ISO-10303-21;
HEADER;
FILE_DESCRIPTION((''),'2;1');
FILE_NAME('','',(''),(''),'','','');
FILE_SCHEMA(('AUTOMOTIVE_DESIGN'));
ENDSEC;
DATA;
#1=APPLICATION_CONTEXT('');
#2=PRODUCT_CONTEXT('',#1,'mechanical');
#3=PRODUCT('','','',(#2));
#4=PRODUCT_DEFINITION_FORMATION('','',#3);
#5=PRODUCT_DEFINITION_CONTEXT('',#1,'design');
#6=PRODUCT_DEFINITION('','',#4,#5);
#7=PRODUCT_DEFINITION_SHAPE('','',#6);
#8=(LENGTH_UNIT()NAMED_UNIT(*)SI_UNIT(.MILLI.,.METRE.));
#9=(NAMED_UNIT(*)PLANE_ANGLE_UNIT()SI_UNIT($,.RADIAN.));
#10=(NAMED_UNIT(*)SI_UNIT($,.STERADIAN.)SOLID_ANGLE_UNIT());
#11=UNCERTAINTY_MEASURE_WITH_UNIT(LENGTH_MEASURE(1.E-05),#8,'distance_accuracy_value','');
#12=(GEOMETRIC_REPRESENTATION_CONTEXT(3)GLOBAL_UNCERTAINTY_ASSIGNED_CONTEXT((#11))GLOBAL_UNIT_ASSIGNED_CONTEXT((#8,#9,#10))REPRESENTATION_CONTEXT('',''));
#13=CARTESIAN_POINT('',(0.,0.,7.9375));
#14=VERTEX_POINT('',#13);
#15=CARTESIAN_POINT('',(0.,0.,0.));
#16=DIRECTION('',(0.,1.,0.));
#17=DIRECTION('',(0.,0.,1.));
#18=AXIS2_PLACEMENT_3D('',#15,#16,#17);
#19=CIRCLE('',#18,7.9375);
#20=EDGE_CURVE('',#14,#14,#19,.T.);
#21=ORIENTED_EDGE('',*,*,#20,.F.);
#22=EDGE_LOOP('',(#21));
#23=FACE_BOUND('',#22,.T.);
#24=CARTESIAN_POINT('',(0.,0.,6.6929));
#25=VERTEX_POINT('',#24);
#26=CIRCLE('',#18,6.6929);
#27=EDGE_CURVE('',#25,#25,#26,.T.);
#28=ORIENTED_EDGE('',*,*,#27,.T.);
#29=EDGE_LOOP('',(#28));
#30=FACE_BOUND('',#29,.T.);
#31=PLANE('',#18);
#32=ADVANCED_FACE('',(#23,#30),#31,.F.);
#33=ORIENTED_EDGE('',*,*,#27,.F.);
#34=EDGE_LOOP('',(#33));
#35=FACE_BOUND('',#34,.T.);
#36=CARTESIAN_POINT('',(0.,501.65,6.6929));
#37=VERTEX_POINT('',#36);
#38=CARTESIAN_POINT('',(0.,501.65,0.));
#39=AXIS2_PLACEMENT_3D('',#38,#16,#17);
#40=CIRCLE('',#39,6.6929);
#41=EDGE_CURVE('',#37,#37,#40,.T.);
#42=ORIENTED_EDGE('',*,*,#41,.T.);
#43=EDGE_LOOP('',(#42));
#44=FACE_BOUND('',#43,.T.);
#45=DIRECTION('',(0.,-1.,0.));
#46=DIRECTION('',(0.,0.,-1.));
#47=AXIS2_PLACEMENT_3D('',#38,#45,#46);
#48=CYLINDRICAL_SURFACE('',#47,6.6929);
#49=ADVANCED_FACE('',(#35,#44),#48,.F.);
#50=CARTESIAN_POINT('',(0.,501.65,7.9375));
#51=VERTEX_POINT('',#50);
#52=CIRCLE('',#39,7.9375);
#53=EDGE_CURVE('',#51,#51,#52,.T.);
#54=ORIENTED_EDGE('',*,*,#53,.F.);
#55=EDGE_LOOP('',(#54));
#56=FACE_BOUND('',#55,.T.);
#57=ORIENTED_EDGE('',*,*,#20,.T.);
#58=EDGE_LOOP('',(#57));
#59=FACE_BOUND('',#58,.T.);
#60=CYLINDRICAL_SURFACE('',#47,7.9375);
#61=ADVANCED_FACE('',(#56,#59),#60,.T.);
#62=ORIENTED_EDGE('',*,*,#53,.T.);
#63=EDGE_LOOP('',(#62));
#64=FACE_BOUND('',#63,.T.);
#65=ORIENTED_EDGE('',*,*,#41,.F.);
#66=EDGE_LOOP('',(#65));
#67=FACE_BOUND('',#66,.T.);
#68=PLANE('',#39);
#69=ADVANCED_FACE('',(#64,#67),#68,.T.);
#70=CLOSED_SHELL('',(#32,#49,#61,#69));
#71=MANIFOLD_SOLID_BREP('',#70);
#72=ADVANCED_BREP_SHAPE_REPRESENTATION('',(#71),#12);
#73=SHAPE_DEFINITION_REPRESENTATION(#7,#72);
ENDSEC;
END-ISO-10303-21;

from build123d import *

# Parameters (mm, degrees)
SKETCH1_R           = 7.9375
SKETCH1_R_2         = 6.6929
BOSS_EXTRUDE1_DEPTH = 501.65


with BuildPart() as part:
    # Sketch1 → Boss-Extrude1 (new body)
    with BuildSketch(Plane(origin=(0, 0, 0), x_dir=(1, 0, 0), z_dir=(0, 1, 0))):
        with Locations(Location((0, 0, 0), (0, 0, 270))):
            Circle(SKETCH1_R)
        with Locations(Location((0, 0, 0), (0, 0, 270))):
            Circle(SKETCH1_R_2, mode=Mode.SUBTRACT)
    extrude(amount=BOSS_EXTRUDE1_DEPTH)


solid = part.part
